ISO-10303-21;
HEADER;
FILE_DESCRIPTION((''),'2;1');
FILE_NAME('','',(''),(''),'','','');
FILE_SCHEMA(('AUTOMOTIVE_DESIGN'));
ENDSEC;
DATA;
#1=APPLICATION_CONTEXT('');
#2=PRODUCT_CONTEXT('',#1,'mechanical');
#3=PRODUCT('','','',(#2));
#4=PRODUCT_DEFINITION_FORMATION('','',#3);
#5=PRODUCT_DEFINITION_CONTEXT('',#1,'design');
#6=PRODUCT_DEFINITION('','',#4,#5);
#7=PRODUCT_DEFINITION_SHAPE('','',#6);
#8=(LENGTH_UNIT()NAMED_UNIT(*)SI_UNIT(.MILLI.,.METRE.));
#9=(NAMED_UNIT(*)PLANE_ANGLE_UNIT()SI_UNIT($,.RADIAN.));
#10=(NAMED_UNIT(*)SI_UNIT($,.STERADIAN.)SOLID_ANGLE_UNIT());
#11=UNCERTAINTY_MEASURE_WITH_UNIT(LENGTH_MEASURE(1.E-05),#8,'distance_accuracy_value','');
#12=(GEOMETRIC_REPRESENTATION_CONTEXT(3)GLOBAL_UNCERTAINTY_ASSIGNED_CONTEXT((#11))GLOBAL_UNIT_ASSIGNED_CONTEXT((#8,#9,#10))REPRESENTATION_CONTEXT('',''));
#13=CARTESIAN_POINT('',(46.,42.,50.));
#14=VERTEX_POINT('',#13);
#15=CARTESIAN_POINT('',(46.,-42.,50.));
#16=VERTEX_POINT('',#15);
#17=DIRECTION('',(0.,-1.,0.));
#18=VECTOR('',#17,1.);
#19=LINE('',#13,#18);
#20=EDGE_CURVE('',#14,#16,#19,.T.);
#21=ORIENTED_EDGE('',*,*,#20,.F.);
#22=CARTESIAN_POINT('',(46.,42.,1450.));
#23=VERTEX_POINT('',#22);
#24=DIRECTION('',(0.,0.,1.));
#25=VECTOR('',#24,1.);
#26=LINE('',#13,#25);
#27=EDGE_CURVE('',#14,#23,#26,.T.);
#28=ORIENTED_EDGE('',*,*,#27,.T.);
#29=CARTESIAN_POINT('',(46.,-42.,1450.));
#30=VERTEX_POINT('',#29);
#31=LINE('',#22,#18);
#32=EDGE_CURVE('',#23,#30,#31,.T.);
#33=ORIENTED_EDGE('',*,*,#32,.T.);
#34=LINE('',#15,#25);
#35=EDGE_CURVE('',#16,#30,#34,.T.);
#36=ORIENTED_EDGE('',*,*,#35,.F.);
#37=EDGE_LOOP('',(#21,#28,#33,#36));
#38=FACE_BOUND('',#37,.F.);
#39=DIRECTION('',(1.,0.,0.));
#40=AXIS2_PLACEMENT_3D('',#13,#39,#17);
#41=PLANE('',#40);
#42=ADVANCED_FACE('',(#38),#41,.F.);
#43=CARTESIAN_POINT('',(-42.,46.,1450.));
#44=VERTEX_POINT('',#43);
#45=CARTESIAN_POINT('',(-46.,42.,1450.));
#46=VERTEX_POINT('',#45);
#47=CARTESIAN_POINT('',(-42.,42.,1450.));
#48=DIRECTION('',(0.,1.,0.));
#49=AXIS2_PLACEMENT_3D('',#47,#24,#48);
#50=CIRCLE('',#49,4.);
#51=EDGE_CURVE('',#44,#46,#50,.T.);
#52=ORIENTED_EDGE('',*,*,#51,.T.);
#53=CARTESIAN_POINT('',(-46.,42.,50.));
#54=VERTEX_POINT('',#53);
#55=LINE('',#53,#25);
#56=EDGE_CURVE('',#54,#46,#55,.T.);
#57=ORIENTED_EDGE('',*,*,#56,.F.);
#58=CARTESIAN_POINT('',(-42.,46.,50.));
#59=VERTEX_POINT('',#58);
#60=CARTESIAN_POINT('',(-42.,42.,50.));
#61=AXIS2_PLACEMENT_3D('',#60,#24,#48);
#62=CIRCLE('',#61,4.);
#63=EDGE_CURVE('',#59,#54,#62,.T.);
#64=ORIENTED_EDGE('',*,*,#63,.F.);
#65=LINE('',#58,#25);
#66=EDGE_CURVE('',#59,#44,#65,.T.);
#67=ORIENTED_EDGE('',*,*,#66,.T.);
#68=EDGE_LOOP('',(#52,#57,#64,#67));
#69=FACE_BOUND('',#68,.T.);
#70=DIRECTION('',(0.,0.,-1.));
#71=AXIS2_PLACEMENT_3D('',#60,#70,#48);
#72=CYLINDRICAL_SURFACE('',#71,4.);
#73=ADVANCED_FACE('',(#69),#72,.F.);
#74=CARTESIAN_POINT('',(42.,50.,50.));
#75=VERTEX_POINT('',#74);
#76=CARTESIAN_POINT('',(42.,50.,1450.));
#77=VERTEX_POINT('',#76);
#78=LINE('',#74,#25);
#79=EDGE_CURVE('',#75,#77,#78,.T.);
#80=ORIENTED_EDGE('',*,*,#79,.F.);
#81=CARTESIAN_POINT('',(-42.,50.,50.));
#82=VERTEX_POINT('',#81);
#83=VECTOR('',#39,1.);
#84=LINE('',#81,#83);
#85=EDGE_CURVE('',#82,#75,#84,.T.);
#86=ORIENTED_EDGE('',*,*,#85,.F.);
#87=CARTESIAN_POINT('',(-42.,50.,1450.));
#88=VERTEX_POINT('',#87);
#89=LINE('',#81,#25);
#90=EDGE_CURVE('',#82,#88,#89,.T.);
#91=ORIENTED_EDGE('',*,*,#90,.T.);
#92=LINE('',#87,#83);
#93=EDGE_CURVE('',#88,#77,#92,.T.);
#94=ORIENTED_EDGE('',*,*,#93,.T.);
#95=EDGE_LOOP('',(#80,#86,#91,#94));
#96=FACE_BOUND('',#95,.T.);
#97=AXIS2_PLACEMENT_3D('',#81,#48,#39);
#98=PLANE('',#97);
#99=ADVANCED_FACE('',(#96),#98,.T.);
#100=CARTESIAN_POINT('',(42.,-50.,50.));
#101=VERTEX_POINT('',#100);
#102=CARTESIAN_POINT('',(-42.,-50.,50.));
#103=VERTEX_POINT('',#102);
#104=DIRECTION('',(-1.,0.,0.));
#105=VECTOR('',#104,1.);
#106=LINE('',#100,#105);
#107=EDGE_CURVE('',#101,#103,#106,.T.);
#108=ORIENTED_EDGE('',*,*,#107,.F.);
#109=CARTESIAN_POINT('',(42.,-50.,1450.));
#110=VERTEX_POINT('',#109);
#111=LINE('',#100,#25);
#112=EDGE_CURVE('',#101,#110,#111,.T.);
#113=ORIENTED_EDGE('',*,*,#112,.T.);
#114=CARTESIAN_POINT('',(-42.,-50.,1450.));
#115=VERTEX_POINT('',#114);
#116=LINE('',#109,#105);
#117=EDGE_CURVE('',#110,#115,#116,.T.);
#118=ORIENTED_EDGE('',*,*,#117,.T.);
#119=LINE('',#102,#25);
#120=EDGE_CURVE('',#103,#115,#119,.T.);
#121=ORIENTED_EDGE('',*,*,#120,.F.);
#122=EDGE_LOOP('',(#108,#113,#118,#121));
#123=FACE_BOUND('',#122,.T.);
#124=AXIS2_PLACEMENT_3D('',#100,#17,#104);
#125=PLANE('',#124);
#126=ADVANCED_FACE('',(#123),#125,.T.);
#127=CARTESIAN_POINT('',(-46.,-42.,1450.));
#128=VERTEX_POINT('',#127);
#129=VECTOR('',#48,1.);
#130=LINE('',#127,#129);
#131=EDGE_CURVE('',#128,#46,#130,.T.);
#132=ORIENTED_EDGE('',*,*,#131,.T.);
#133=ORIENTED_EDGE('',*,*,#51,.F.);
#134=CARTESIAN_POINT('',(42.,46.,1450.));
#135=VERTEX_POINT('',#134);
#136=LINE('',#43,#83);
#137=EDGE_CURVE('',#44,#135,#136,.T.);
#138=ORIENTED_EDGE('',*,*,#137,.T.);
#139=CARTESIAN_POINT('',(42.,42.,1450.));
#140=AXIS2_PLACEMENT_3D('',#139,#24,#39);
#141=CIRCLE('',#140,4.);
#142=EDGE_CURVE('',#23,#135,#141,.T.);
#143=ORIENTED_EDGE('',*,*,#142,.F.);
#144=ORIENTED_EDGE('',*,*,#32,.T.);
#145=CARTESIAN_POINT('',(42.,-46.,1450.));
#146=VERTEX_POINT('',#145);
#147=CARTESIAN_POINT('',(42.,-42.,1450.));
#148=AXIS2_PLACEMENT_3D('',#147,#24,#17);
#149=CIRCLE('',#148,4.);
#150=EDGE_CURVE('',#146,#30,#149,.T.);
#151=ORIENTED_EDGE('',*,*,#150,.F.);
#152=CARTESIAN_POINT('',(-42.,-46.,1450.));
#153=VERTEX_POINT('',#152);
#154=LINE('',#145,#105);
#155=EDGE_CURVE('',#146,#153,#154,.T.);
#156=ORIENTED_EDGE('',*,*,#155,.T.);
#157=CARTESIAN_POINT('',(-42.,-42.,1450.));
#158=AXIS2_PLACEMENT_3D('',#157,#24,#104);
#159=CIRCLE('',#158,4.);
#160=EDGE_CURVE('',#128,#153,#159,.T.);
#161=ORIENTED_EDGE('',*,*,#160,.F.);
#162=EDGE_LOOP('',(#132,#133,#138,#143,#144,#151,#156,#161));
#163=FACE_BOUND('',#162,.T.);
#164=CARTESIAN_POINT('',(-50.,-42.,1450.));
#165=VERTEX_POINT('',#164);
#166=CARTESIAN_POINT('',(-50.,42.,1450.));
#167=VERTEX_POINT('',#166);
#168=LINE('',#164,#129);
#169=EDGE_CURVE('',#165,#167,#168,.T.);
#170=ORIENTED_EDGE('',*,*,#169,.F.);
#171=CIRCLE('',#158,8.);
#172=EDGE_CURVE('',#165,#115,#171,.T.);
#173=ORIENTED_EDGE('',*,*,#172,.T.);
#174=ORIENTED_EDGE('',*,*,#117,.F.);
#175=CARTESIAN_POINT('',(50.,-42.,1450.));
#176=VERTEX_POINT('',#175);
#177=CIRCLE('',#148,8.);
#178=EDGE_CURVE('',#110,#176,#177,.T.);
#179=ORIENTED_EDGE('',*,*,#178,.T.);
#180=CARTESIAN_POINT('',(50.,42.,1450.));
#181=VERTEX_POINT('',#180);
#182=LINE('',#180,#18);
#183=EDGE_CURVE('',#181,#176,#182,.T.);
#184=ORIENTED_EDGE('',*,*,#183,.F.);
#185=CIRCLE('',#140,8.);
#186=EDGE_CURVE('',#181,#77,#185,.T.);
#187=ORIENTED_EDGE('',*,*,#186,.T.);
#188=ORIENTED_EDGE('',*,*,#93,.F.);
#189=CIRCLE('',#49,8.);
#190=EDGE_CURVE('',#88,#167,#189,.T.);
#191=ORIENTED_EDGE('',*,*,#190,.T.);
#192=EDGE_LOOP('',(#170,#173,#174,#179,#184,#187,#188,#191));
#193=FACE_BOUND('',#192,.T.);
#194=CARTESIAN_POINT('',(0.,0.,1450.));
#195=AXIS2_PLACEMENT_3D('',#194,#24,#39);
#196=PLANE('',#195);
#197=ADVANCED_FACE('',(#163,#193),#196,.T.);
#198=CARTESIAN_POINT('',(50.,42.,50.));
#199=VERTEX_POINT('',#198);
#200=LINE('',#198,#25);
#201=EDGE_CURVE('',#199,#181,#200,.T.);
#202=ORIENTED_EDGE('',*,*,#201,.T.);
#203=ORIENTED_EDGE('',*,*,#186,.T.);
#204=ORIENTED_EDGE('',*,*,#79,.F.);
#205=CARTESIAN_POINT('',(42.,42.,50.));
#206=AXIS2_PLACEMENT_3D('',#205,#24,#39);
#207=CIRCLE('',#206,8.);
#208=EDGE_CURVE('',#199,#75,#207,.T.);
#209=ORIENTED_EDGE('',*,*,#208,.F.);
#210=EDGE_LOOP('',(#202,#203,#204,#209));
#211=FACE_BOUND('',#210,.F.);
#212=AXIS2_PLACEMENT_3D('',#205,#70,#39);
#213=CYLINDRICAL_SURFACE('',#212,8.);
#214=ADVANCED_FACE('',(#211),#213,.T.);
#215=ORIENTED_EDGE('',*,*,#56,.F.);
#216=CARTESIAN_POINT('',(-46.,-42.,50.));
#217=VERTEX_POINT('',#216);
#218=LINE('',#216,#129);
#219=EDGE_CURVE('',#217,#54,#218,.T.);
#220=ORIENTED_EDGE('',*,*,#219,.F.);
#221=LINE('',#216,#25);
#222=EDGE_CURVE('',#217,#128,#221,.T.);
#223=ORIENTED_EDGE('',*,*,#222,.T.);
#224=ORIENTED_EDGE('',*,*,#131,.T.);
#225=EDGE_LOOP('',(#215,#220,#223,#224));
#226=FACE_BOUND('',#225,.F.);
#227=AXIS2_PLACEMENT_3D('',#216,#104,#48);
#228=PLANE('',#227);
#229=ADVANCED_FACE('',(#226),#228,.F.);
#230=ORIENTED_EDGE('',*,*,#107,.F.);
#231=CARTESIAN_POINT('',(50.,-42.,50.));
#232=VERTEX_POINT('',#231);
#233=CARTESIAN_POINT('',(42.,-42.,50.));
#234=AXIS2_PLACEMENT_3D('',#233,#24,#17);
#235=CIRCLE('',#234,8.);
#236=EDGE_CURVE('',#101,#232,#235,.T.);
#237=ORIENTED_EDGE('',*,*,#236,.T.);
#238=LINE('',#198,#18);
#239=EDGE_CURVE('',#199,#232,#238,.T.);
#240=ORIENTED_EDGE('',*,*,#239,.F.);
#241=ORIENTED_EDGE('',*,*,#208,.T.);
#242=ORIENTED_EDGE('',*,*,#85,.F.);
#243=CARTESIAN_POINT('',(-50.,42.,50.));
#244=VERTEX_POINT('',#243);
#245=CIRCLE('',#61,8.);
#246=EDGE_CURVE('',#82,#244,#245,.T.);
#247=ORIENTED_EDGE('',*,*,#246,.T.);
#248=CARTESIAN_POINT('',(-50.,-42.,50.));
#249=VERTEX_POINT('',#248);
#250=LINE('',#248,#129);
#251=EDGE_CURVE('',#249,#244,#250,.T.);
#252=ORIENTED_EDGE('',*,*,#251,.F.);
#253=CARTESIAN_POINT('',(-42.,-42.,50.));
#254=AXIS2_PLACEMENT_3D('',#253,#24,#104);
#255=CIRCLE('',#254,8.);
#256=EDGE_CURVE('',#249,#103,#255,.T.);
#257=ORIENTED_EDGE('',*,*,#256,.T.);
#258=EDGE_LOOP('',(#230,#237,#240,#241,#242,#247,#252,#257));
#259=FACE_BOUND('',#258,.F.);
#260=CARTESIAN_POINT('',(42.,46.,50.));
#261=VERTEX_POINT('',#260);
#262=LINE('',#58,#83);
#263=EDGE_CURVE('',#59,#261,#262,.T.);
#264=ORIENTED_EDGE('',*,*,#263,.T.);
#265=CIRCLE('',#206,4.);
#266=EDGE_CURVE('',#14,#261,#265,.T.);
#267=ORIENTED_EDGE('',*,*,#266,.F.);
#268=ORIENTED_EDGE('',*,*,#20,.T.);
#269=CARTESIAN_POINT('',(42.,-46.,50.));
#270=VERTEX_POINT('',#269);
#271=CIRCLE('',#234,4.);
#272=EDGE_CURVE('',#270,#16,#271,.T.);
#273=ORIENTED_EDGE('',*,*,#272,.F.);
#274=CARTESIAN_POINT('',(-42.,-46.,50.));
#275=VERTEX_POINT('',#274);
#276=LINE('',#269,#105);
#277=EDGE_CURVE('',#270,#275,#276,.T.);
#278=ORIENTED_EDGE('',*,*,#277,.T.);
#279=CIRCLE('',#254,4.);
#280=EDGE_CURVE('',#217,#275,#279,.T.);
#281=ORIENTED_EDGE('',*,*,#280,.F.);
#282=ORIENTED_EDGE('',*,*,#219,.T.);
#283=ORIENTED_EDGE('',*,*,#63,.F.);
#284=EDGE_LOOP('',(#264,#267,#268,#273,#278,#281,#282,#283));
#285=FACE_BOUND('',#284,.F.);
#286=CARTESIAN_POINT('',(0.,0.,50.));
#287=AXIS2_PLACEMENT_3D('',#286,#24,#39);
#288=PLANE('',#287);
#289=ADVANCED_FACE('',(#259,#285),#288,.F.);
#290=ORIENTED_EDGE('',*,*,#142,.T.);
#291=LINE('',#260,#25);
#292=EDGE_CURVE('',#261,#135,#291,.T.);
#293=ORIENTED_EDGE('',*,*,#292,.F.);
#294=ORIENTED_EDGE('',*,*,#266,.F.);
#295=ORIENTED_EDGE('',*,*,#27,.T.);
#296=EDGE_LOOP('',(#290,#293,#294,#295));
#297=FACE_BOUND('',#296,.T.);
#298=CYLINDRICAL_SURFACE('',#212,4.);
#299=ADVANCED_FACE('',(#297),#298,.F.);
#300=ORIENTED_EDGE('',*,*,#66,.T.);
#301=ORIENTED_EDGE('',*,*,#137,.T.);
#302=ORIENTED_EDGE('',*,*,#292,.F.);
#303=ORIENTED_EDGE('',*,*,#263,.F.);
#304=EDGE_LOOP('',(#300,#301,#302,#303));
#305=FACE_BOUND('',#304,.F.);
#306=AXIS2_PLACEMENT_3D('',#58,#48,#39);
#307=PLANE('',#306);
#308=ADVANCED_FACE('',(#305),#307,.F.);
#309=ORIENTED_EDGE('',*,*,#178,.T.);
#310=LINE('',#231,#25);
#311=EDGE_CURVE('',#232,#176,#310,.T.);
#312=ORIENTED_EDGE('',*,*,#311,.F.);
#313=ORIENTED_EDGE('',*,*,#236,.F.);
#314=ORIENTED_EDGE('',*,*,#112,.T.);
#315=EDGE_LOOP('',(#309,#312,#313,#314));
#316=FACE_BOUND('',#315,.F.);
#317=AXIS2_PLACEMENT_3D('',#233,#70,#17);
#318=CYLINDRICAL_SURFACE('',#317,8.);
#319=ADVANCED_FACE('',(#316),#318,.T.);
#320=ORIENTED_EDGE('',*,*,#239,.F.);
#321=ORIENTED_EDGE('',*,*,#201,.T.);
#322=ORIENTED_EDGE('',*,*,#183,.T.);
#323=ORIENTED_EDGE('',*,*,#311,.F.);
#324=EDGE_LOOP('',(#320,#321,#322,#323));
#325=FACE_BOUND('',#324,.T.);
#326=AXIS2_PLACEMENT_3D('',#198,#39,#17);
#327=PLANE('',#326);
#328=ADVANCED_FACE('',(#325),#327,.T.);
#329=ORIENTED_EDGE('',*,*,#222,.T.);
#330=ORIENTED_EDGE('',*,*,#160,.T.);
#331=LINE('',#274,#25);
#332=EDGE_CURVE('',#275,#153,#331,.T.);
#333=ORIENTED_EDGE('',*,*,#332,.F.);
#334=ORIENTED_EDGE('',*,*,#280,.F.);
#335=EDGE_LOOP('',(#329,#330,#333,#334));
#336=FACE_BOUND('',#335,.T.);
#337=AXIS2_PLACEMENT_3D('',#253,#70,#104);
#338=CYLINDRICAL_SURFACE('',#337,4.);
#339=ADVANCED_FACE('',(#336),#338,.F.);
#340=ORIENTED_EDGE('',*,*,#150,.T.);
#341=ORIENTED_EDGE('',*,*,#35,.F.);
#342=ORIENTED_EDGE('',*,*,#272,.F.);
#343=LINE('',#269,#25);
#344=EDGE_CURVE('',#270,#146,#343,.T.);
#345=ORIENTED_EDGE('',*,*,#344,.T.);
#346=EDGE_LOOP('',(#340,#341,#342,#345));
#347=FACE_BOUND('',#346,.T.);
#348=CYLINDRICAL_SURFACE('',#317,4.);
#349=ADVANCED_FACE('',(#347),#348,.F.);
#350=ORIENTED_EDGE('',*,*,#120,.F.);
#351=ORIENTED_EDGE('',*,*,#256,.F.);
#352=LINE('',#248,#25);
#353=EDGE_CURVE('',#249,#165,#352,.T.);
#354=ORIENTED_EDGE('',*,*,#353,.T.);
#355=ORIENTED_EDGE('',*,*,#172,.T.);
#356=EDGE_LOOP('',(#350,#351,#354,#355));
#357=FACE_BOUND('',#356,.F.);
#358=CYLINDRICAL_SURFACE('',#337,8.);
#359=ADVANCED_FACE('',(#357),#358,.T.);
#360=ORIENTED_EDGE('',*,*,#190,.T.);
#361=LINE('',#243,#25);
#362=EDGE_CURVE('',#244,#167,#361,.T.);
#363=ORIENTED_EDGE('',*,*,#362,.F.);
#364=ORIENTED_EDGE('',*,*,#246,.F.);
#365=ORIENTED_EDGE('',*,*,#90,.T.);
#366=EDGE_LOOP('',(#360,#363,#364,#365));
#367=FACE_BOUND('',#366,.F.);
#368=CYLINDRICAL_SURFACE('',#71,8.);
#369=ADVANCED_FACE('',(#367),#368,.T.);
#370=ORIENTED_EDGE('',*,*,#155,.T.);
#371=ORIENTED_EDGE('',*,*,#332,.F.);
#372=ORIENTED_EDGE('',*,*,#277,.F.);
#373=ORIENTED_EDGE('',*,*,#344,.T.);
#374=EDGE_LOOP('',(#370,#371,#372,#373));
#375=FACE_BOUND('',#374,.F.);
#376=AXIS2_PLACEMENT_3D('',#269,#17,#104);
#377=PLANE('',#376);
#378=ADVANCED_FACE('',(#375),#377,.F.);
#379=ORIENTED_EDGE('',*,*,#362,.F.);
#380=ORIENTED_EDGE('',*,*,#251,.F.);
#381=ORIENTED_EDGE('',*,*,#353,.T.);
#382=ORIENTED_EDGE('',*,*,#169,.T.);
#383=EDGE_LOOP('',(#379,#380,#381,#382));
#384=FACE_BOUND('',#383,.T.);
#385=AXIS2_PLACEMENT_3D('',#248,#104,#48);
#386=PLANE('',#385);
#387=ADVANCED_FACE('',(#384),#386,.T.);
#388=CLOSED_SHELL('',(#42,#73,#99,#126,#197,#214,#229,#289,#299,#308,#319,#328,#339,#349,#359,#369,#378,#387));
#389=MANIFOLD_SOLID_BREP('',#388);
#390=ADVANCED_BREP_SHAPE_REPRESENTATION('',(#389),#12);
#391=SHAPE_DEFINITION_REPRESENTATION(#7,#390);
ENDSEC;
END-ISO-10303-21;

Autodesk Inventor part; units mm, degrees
ref_plane "YZ Plane" through (0, 0, 0) normal (1, 0, 0) x (0, 1, 0)
ref_plane "Start Plane" through (0, 0, 50) normal (0, 0, 1) x (1, 0, 0)
ref_plane "End Plane" through (0, 0, 1450) normal (0, 0, 1) x (1, 0, 0)
sketch "Sketch" plane through (0, 0, 0) normal (0, 0, 1) x (1, 0, 0)
  line L0 (-50, -42) -> (-50, 42)
  line L1 (-42, 50) -> (42, 50)
  line L2 (50, 42) -> (50, -42)
  line L3 (42, -50) -> (-42, -50)
  arc A0 (-50, -42) -> (-42, -50) centre (-42, -42) ccw
  arc A1 (50, 42) -> (42, 50) centre (42, 42) ccw
  arc A2 (-42, 50) -> (-50, 42) centre (-42, 42) ccw
  arc A3 (42, -50) -> (50, -42) centre (42, -42) ccw
  arc A4 (-42, 46) -> (-46, 42) centre (-42, 42) ccw
  line L4 (-42, 46) -> (42, 46)
  arc A5 (46, 42) -> (42, 46) centre (42, 42) ccw
  line L5 (46, 42) -> (46, -42)
  arc A6 (42, -46) -> (46, -42) centre (42, -42) ccw
  line L6 (42, -46) -> (-42, -46)
  arc A7 (-46, -42) -> (-42, -46) centre (-42, -42) ccw
  line L7 (-46, -42) -> (-46, 42)
  line L8 (0, 72.3196) -> (0, -72.3196) construction
  line L9 (-72.3196, 0) -> (72.3196, 0) construction
  dimension "d7" = 8
  dimension "d9" = 100
  dimension "d11" = 100
  dimension "d12" = 4
  dimension "d15" = 50
  dimension "d16" = 50
extrude "Body" add sketch "Sketch" along normal up to surface (1400 mm away) from surface at 50
sketch "Sketch3" plane through (0, 0, 0) normal (0, 0, 1) x (1, 0, 0)
  line L0 (0, 0) -> (10, 0)
ref_plane "Work Plane3" through (0, 0, 0) normal (0, -1, 0) x (1, 0, 0)
sketch "Sketch4" plane through (0, 0, 0) normal (0, -1, 0) x (1, 0, 0)
  line L0 (-2, 50) -> (12, 50) projected
  line L1 (-2, 1450) -> (12, 1450) projected
  dimension "d18" = 1400
equation "\"d7\" = G_IR"
equation "\"d9\" = G_W"
equation "\"d11\" = G_H"
equation "\"d12\" = G_T"
equation "\"d15\" = 0.5 * d9"
equation "\"d16\" = 0.5 * d11"
equation "\"d3\" = G_L"
equation "\"G_W\" = 100"
equation "\"G_H\" = 100"
equation "\"G_T\" = 4"
equation "\"G_IR\" = 8"
equation "\"G_L\" = d18"
properties part number "ISO 10799-2 - 100x100x4 - 1400" material "Steel, Mild"
